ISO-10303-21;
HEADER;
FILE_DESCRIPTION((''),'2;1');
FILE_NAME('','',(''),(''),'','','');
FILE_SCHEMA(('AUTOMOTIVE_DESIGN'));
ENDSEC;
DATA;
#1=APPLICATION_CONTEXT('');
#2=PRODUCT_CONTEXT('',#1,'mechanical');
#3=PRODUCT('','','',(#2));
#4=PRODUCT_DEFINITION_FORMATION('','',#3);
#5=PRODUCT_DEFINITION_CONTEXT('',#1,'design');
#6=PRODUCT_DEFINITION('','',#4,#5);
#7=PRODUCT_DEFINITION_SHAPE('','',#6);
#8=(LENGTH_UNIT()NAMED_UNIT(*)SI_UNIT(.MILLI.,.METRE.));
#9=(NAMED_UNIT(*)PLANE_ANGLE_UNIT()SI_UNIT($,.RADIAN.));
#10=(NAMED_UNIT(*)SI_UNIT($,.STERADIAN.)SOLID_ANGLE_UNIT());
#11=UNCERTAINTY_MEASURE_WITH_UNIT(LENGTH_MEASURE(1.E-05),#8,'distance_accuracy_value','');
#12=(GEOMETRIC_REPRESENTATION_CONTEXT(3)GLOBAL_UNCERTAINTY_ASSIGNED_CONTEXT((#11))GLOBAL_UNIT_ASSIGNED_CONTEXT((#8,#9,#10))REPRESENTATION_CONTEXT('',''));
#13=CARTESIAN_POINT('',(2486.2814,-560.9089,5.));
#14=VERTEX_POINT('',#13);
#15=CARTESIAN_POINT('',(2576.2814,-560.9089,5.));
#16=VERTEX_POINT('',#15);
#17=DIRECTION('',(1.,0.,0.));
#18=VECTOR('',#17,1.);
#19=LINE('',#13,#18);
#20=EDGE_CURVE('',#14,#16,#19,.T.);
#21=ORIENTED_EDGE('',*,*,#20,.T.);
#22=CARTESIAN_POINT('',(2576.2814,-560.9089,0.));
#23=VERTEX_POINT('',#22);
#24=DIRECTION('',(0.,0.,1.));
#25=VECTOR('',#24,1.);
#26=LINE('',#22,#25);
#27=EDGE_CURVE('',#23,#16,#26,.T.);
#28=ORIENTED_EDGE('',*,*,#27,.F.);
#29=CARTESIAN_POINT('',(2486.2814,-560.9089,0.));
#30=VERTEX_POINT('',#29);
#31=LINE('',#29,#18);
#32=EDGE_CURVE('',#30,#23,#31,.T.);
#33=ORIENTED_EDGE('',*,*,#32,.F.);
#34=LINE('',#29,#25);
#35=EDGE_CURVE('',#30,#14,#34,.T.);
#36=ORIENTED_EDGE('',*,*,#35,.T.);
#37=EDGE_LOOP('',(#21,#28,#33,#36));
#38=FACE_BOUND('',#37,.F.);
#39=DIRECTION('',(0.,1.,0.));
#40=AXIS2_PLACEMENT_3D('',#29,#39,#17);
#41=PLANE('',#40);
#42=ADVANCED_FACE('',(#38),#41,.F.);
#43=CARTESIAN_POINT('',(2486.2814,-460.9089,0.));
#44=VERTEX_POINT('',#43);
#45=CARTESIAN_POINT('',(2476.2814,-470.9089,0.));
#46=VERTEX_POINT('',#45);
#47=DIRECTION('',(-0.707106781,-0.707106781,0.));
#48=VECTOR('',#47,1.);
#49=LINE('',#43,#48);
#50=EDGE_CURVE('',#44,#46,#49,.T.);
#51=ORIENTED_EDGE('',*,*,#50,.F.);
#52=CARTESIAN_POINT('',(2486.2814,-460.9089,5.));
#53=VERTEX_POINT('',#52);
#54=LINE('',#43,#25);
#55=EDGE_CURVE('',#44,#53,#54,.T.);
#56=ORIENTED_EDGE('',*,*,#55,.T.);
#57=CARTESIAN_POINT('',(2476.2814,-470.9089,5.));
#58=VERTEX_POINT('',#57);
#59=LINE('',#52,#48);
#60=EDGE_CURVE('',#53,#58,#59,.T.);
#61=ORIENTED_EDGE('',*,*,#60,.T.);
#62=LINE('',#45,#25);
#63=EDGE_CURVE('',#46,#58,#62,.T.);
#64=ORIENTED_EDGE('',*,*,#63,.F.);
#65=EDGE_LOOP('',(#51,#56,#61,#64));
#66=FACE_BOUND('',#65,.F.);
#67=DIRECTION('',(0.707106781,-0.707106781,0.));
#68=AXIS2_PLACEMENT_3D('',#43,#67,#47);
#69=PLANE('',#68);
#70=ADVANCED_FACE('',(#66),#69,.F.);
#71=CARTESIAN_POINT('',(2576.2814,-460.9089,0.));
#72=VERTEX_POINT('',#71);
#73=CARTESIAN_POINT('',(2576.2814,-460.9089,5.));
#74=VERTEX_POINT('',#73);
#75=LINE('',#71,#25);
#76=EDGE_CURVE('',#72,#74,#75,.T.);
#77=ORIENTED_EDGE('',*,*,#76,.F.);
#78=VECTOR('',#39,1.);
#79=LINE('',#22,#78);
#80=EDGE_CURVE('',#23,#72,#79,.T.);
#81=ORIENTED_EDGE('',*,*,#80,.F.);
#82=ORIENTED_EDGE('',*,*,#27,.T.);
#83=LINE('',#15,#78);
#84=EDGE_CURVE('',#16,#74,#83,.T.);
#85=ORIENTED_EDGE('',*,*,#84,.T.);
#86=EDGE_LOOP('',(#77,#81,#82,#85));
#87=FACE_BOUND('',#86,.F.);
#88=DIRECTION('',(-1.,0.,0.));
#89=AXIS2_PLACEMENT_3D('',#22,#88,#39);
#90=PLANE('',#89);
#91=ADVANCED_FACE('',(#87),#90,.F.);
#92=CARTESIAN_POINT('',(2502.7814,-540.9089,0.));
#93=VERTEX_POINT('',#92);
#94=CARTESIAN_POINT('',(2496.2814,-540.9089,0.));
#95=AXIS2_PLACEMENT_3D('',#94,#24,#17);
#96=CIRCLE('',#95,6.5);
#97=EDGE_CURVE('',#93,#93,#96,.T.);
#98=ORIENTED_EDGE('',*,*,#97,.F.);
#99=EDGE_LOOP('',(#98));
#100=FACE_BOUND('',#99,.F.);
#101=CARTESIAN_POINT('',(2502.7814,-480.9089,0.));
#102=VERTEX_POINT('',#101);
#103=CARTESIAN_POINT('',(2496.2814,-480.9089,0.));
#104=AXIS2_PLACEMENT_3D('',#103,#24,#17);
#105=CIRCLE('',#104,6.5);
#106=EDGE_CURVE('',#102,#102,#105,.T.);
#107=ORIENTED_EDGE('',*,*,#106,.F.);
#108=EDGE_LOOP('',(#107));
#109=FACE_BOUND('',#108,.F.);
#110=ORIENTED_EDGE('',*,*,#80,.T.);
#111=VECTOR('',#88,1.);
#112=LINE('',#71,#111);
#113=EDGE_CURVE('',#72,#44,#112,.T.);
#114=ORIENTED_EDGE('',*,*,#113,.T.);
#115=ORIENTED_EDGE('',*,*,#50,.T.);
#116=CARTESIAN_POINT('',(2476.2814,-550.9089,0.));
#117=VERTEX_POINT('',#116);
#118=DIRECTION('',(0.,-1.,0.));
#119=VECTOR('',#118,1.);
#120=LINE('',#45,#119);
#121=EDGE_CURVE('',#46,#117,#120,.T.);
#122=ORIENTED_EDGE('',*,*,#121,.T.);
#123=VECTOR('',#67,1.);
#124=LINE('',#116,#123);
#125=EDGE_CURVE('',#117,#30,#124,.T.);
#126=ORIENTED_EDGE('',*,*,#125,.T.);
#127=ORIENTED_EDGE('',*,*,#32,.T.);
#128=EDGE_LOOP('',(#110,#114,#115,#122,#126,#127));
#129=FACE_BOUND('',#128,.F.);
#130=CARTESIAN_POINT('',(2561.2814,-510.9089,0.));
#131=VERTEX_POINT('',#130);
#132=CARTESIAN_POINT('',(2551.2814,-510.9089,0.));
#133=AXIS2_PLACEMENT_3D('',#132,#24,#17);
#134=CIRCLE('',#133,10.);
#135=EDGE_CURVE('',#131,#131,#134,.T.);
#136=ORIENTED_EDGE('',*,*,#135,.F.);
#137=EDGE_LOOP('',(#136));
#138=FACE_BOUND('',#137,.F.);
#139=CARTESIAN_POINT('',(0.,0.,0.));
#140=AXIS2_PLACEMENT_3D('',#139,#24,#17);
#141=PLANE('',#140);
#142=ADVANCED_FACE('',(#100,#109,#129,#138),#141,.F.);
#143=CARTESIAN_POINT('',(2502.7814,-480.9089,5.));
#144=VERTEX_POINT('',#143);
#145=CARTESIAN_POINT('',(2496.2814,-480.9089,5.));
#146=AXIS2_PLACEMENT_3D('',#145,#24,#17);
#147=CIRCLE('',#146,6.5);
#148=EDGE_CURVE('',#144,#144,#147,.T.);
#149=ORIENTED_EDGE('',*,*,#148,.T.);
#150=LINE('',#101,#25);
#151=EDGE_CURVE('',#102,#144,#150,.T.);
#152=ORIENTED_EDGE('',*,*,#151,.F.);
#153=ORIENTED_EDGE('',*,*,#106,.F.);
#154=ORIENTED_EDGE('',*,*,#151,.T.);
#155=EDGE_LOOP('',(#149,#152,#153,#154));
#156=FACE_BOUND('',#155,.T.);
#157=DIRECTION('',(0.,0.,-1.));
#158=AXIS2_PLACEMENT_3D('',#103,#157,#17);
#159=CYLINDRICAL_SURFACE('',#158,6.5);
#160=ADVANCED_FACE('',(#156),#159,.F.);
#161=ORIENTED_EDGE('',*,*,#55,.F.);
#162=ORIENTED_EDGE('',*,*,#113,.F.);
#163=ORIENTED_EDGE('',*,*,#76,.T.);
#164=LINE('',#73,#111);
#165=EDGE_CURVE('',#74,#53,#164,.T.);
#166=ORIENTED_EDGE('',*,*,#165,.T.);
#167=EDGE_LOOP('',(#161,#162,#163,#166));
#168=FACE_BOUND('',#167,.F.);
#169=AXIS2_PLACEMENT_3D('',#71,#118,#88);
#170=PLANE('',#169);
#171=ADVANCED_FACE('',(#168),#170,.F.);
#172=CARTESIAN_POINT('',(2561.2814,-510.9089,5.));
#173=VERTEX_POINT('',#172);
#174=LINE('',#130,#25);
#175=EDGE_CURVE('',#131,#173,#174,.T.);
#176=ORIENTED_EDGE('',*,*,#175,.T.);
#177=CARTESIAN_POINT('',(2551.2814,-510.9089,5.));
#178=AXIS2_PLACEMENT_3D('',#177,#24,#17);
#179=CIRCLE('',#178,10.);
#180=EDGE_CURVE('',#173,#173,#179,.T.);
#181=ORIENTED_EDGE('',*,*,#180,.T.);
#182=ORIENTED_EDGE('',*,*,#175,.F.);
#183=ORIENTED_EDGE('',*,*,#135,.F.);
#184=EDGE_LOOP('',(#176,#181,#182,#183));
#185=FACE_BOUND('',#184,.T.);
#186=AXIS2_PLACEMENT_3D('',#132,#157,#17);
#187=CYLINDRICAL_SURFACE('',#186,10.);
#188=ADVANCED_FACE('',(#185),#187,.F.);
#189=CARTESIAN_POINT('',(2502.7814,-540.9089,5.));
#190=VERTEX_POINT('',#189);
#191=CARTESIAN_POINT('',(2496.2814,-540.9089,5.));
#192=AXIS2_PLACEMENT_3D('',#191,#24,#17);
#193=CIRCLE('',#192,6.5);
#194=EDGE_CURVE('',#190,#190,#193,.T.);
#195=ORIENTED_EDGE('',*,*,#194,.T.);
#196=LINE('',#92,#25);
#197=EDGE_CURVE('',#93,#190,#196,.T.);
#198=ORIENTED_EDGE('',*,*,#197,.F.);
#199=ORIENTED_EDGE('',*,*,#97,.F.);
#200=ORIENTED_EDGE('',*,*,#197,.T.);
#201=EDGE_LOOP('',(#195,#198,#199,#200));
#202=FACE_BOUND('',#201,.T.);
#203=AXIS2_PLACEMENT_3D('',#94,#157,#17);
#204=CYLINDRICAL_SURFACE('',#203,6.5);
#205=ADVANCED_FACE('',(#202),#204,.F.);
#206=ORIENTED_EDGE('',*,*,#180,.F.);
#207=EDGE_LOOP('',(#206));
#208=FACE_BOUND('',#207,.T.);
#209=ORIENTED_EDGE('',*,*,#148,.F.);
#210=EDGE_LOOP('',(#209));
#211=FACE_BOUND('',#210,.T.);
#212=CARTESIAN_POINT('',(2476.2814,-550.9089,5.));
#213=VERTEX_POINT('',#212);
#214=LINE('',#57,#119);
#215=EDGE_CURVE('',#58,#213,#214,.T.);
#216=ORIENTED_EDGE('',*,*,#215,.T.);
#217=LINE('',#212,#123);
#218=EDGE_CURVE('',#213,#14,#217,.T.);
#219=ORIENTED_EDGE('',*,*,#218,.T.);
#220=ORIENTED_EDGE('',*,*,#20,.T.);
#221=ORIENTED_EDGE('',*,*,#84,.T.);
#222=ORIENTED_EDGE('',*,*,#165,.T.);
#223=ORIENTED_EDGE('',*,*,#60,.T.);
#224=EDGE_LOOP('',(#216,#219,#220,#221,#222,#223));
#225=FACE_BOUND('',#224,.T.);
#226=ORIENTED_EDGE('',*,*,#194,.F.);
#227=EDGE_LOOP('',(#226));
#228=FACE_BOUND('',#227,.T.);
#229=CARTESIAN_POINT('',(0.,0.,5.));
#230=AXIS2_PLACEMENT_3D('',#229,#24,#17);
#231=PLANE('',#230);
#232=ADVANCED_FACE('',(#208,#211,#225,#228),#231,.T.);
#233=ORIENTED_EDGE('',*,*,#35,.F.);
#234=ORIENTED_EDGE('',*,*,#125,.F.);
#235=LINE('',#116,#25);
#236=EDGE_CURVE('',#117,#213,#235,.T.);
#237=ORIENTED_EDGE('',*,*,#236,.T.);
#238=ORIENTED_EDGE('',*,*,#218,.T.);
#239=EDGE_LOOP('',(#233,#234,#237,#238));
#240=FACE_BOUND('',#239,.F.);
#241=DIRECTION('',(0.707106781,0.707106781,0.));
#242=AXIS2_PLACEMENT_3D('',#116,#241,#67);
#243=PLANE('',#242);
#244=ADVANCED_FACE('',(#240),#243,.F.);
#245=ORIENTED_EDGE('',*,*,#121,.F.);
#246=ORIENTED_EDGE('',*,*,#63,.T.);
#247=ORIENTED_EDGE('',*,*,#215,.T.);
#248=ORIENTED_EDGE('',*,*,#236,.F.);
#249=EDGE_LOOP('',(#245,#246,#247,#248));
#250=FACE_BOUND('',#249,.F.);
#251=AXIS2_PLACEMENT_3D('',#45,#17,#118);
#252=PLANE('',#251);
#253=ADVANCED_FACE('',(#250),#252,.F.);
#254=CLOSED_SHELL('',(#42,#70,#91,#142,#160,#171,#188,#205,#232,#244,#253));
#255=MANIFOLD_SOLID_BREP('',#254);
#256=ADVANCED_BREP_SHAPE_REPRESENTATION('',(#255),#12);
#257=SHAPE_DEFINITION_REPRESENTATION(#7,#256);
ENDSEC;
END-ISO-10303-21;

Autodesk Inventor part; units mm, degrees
ref_plane "YZ Plane" through (0, 0, 0) normal (1, 0, 0) x (0, 1, 0)
ref_plane "XZ Plane" through (0, 0, 0) normal (0, 1, 0) x (-1, 0, 0)
ref_plane "XY Plane" through (0, 0, 0) normal (0, 0, 1) x (1, 0, 0)
sketch "Sketch1" plane through (0, 0, 0) normal (0, 0, 1) x (1, 0, 0)
  line L0 (2537.2814, -518.9919) -> (2551.2814, -527.0748)
  line L1 (2551.2814, -527.0748) -> (2565.2814, -518.9919)
  line L2 (2565.2814, -518.9919) -> (2565.2814, -502.826)
  line L3 (2565.2814, -502.826) -> (2551.2814, -494.7431)
  line L4 (2551.2814, -494.7431) -> (2537.2814, -502.826)
  line L5 (2537.2814, -502.826) -> (2537.2814, -518.9919)
  line L6 (2476.2814, -470.9089) -> (2476.2814, -550.9089)
  line L7 (2476.2814, -550.9089) -> (2486.2814, -560.9089)
  line L8 (2486.2814, -560.9089) -> (2576.2814, -560.9089)
  line L9 (2576.2814, -560.9089) -> (2576.2814, -460.9089)
  line L10 (2576.2814, -460.9089) -> (2486.2814, -460.9089)
  line L11 (2486.2814, -460.9089) -> (2476.2814, -470.9089)
  circle A0 centre (2496.2814, -540.9089) radius 6.5
  circle A1 centre (2496.2814, -480.9089) radius 6.5
  circle A2 centre (2551.2814, -510.9089) radius 10
  point P0 (0, 0)
  dimension "d1" = 80
  dimension "d3" = 25
  dimension "d5" = 100
  dimension "d7" = 13
  dimension "d9" = 100
  dimension "d11" = 50
  dimension "d13" = 20
  dimension "d15" = 20
extrude "Extrusion1" add sketch "Sketch1" along normal blind 5 contours L5 L4 L3 L2 L1 L0 | L11 L10 L9 L8 L7 L6
properties part number "ADSK-MH-10042" material "Steel, Mild"
